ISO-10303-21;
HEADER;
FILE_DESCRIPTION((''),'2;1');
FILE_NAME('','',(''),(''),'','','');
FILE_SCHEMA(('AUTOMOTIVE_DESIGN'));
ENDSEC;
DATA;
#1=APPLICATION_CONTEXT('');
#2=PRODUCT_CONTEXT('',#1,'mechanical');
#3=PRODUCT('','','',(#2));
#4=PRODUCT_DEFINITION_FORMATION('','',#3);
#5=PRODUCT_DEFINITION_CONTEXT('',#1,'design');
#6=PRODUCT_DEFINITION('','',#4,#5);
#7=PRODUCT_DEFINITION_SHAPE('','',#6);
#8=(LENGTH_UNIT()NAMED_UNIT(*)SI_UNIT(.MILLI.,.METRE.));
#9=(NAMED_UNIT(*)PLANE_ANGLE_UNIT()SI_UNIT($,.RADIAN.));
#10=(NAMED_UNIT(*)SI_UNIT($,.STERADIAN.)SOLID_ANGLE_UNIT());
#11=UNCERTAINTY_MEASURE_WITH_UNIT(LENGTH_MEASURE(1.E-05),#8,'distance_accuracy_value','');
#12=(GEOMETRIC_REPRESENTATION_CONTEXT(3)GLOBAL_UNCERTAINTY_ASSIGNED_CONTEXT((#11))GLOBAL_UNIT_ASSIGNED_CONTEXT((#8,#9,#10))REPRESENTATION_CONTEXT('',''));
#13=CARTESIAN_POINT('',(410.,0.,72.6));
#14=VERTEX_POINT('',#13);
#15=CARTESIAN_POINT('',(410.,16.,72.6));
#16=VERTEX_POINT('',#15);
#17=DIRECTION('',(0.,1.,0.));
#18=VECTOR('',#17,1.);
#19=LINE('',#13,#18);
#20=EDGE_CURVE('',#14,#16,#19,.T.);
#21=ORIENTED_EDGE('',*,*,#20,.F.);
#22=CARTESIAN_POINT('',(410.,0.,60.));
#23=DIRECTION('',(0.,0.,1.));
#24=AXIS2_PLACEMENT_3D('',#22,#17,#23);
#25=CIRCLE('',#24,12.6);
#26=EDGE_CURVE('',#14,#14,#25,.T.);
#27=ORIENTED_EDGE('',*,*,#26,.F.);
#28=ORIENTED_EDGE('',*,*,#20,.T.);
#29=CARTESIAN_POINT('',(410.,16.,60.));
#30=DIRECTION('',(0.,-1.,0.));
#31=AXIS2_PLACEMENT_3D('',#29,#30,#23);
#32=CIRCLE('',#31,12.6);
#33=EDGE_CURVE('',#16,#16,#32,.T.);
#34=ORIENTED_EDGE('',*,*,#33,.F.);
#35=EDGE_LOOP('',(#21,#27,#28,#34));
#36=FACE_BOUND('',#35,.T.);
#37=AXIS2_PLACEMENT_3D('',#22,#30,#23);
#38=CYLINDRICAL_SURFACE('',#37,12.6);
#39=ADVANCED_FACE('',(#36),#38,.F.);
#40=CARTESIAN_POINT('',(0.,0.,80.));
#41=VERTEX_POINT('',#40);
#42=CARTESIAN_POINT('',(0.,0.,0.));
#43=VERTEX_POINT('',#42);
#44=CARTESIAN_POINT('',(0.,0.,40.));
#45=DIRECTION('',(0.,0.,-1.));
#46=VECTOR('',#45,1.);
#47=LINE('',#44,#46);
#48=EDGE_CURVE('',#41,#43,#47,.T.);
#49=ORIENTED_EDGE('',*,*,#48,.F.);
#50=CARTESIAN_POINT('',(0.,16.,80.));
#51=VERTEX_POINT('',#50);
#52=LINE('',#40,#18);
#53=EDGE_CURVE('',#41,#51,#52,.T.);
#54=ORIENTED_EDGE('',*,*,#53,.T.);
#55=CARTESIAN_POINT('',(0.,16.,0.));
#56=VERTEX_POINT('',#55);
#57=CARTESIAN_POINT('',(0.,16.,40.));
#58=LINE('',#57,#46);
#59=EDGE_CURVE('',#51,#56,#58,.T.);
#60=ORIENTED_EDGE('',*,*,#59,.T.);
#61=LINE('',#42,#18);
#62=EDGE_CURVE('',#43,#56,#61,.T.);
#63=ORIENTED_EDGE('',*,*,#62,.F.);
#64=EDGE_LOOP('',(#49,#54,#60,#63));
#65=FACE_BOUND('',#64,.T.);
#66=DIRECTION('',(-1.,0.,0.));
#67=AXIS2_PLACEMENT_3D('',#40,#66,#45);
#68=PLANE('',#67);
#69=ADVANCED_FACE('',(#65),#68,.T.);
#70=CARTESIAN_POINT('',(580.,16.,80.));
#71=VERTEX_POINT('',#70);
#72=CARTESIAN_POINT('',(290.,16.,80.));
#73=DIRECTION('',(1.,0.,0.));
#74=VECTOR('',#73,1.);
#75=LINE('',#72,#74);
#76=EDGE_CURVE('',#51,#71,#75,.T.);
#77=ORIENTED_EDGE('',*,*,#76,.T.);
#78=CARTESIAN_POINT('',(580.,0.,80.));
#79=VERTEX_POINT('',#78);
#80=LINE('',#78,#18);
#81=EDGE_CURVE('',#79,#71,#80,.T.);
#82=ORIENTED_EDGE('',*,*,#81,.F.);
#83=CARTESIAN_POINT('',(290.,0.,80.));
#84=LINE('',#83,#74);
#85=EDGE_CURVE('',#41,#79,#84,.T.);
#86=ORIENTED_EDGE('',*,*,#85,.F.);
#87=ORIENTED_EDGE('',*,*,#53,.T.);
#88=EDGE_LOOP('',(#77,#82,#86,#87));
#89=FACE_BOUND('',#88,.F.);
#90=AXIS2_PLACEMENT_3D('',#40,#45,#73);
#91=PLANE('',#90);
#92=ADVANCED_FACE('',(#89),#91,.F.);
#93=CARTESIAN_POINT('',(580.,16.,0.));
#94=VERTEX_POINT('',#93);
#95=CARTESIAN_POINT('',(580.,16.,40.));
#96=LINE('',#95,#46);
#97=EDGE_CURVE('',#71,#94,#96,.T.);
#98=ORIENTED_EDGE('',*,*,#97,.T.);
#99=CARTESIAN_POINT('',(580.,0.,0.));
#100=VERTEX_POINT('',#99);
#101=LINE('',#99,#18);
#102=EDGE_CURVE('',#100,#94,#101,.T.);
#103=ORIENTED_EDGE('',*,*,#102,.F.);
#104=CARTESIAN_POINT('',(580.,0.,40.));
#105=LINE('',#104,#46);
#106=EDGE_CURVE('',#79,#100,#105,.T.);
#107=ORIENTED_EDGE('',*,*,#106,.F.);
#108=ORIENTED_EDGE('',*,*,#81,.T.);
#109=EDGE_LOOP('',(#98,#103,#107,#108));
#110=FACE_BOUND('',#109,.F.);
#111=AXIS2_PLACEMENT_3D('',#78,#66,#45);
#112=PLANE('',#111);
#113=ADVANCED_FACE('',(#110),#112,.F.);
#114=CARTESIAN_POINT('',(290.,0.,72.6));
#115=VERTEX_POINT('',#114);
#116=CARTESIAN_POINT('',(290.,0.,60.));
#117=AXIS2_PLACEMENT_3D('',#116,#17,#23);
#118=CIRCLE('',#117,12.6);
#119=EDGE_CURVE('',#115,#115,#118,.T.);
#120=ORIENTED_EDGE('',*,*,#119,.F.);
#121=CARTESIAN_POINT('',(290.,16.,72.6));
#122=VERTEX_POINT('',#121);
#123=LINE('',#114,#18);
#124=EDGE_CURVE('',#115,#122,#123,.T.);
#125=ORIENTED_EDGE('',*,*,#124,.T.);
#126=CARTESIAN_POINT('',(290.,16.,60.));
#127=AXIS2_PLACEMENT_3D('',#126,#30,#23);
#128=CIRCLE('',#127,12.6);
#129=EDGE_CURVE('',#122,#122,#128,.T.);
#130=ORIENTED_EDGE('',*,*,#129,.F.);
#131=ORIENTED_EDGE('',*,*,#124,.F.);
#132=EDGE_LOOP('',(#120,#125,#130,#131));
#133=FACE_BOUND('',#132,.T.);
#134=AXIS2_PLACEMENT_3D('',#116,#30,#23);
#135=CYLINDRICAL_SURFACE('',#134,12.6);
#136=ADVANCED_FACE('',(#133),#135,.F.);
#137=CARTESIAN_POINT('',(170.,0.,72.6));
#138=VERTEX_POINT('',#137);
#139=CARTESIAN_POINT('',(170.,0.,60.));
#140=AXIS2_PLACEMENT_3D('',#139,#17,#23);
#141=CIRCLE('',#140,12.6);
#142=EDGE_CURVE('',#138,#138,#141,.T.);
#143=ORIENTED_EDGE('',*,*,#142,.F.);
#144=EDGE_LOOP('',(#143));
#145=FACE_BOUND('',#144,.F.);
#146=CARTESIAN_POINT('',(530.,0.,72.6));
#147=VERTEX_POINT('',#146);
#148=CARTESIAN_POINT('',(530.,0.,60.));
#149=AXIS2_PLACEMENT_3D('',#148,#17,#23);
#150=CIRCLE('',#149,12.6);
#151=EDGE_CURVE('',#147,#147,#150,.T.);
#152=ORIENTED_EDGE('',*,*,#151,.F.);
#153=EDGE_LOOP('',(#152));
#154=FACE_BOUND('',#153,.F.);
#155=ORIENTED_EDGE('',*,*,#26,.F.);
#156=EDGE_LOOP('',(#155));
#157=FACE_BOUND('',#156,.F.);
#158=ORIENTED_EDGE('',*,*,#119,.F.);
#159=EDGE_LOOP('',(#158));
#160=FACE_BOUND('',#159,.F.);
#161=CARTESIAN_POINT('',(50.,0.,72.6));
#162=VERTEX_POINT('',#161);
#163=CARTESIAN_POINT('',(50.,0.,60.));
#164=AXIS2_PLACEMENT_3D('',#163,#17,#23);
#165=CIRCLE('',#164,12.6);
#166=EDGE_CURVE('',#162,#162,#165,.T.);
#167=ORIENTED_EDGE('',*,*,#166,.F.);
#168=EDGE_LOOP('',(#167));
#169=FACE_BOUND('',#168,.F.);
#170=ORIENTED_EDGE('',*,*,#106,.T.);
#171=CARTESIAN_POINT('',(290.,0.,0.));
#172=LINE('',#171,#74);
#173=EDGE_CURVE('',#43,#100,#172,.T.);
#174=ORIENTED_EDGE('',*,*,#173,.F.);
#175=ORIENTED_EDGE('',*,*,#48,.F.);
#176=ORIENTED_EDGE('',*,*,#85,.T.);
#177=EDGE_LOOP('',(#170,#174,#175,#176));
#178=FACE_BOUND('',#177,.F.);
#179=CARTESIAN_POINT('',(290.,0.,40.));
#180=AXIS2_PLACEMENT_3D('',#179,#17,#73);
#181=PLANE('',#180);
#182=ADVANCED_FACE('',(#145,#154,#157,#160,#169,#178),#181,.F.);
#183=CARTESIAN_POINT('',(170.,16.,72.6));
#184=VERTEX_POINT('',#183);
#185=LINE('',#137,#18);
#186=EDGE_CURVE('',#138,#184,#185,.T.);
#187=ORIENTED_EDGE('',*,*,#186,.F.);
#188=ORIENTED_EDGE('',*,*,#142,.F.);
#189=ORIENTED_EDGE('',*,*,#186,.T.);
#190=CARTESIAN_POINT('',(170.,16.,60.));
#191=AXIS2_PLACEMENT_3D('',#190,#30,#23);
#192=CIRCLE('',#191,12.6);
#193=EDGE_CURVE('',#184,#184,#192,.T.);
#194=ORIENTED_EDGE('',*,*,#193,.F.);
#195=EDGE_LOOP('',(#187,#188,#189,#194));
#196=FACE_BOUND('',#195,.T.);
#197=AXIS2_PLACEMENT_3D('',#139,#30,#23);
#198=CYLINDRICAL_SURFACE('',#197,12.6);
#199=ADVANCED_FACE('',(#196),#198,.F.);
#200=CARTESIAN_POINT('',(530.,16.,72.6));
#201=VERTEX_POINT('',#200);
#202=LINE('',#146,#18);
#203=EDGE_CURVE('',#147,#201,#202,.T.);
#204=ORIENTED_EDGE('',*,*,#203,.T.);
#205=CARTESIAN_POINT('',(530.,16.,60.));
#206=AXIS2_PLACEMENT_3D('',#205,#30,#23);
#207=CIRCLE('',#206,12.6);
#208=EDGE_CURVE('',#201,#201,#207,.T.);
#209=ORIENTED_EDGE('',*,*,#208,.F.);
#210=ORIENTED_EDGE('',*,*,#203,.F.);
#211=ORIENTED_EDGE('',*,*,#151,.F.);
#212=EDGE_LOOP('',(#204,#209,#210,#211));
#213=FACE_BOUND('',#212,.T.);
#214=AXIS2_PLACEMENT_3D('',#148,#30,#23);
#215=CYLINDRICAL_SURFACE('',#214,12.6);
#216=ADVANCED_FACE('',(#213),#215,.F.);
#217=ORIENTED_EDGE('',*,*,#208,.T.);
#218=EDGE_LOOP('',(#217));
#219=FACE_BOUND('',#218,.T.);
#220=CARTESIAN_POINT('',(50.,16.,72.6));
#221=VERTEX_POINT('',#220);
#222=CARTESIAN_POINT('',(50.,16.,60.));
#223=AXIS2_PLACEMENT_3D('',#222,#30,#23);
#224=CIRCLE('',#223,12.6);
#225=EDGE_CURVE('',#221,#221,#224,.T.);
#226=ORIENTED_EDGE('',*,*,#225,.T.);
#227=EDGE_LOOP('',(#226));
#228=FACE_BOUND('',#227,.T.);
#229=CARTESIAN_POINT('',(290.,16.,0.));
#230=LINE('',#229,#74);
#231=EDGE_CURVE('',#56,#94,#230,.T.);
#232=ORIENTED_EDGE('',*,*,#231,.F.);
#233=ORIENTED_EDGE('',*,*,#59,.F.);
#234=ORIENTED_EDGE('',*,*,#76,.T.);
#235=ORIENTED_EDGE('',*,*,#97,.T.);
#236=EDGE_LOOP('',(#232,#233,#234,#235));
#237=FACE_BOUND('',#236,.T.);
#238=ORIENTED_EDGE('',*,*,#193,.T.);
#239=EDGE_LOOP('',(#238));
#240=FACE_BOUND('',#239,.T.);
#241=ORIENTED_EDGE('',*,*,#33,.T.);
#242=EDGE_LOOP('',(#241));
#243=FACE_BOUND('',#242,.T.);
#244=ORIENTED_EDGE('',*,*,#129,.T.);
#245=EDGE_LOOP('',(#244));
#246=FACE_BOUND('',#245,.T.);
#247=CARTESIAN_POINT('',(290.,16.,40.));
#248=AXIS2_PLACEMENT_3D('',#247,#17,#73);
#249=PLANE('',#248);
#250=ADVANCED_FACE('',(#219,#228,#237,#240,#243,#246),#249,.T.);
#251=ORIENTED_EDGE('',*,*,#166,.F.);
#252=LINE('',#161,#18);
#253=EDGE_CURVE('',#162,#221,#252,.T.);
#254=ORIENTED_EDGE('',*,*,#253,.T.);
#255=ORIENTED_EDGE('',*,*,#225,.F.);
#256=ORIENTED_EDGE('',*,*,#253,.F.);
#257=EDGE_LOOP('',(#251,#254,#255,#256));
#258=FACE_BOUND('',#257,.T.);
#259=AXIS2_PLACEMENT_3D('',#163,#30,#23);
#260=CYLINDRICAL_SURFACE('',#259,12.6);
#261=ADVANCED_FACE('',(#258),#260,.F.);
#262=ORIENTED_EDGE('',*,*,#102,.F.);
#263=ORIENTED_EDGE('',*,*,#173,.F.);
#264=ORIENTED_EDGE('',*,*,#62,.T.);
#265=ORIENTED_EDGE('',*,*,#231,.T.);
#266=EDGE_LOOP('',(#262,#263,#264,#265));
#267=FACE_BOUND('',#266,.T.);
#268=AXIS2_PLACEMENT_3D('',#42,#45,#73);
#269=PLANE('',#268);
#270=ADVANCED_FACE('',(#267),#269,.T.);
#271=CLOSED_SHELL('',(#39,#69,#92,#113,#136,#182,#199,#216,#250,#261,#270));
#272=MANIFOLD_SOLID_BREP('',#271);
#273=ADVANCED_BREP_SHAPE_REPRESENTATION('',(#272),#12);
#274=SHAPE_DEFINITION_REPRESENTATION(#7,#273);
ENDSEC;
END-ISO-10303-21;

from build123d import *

# Parameters (mm, degrees)
SKETCH1_W           = 580
SKETCH1_H           = 80
BOSS_EXTRUDE1_DEPTH = 16
SKETCH2_R           = 12.6
CUT_EXTRUDE4_DEPTH  = 18
LPATTERN1_COUNT     = 5
LPATTERN1_PITCH     = 120


with BuildPart() as part:
    # Sketch1 → Boss-Extrude1 (new body)
    with BuildSketch(Plane(origin=(0, 0, 0), x_dir=(1, 0, 0), z_dir=(0, 1, 0))):
        with Locations((290, -40)):
            Rectangle(SKETCH1_W, SKETCH1_H)
    extrude(amount=BOSS_EXTRUDE1_DEPTH)

    # Sketch2 → Cut-Extrude4 (cut)
    with BuildSketch(Plane(origin=(0, 0, 0), x_dir=(1, 0, 0), z_dir=(0, 1, 0))):
        with Locations(Location((50, -60, 0), (0, 0, 270))):  # turned: the seam where the file's is
            Circle(SKETCH2_R)
    cut_extrude4 = extrude(amount=CUT_EXTRUDE4_DEPTH, mode=Mode.SUBTRACT)

    # LPattern1: Cut-Extrude4 ×5
    with Locations(*[(i * LPATTERN1_PITCH, 0, 0) for i in range(1, LPATTERN1_COUNT)]):
        add(cut_extrude4, mode=Mode.SUBTRACT)


solid = part.part
